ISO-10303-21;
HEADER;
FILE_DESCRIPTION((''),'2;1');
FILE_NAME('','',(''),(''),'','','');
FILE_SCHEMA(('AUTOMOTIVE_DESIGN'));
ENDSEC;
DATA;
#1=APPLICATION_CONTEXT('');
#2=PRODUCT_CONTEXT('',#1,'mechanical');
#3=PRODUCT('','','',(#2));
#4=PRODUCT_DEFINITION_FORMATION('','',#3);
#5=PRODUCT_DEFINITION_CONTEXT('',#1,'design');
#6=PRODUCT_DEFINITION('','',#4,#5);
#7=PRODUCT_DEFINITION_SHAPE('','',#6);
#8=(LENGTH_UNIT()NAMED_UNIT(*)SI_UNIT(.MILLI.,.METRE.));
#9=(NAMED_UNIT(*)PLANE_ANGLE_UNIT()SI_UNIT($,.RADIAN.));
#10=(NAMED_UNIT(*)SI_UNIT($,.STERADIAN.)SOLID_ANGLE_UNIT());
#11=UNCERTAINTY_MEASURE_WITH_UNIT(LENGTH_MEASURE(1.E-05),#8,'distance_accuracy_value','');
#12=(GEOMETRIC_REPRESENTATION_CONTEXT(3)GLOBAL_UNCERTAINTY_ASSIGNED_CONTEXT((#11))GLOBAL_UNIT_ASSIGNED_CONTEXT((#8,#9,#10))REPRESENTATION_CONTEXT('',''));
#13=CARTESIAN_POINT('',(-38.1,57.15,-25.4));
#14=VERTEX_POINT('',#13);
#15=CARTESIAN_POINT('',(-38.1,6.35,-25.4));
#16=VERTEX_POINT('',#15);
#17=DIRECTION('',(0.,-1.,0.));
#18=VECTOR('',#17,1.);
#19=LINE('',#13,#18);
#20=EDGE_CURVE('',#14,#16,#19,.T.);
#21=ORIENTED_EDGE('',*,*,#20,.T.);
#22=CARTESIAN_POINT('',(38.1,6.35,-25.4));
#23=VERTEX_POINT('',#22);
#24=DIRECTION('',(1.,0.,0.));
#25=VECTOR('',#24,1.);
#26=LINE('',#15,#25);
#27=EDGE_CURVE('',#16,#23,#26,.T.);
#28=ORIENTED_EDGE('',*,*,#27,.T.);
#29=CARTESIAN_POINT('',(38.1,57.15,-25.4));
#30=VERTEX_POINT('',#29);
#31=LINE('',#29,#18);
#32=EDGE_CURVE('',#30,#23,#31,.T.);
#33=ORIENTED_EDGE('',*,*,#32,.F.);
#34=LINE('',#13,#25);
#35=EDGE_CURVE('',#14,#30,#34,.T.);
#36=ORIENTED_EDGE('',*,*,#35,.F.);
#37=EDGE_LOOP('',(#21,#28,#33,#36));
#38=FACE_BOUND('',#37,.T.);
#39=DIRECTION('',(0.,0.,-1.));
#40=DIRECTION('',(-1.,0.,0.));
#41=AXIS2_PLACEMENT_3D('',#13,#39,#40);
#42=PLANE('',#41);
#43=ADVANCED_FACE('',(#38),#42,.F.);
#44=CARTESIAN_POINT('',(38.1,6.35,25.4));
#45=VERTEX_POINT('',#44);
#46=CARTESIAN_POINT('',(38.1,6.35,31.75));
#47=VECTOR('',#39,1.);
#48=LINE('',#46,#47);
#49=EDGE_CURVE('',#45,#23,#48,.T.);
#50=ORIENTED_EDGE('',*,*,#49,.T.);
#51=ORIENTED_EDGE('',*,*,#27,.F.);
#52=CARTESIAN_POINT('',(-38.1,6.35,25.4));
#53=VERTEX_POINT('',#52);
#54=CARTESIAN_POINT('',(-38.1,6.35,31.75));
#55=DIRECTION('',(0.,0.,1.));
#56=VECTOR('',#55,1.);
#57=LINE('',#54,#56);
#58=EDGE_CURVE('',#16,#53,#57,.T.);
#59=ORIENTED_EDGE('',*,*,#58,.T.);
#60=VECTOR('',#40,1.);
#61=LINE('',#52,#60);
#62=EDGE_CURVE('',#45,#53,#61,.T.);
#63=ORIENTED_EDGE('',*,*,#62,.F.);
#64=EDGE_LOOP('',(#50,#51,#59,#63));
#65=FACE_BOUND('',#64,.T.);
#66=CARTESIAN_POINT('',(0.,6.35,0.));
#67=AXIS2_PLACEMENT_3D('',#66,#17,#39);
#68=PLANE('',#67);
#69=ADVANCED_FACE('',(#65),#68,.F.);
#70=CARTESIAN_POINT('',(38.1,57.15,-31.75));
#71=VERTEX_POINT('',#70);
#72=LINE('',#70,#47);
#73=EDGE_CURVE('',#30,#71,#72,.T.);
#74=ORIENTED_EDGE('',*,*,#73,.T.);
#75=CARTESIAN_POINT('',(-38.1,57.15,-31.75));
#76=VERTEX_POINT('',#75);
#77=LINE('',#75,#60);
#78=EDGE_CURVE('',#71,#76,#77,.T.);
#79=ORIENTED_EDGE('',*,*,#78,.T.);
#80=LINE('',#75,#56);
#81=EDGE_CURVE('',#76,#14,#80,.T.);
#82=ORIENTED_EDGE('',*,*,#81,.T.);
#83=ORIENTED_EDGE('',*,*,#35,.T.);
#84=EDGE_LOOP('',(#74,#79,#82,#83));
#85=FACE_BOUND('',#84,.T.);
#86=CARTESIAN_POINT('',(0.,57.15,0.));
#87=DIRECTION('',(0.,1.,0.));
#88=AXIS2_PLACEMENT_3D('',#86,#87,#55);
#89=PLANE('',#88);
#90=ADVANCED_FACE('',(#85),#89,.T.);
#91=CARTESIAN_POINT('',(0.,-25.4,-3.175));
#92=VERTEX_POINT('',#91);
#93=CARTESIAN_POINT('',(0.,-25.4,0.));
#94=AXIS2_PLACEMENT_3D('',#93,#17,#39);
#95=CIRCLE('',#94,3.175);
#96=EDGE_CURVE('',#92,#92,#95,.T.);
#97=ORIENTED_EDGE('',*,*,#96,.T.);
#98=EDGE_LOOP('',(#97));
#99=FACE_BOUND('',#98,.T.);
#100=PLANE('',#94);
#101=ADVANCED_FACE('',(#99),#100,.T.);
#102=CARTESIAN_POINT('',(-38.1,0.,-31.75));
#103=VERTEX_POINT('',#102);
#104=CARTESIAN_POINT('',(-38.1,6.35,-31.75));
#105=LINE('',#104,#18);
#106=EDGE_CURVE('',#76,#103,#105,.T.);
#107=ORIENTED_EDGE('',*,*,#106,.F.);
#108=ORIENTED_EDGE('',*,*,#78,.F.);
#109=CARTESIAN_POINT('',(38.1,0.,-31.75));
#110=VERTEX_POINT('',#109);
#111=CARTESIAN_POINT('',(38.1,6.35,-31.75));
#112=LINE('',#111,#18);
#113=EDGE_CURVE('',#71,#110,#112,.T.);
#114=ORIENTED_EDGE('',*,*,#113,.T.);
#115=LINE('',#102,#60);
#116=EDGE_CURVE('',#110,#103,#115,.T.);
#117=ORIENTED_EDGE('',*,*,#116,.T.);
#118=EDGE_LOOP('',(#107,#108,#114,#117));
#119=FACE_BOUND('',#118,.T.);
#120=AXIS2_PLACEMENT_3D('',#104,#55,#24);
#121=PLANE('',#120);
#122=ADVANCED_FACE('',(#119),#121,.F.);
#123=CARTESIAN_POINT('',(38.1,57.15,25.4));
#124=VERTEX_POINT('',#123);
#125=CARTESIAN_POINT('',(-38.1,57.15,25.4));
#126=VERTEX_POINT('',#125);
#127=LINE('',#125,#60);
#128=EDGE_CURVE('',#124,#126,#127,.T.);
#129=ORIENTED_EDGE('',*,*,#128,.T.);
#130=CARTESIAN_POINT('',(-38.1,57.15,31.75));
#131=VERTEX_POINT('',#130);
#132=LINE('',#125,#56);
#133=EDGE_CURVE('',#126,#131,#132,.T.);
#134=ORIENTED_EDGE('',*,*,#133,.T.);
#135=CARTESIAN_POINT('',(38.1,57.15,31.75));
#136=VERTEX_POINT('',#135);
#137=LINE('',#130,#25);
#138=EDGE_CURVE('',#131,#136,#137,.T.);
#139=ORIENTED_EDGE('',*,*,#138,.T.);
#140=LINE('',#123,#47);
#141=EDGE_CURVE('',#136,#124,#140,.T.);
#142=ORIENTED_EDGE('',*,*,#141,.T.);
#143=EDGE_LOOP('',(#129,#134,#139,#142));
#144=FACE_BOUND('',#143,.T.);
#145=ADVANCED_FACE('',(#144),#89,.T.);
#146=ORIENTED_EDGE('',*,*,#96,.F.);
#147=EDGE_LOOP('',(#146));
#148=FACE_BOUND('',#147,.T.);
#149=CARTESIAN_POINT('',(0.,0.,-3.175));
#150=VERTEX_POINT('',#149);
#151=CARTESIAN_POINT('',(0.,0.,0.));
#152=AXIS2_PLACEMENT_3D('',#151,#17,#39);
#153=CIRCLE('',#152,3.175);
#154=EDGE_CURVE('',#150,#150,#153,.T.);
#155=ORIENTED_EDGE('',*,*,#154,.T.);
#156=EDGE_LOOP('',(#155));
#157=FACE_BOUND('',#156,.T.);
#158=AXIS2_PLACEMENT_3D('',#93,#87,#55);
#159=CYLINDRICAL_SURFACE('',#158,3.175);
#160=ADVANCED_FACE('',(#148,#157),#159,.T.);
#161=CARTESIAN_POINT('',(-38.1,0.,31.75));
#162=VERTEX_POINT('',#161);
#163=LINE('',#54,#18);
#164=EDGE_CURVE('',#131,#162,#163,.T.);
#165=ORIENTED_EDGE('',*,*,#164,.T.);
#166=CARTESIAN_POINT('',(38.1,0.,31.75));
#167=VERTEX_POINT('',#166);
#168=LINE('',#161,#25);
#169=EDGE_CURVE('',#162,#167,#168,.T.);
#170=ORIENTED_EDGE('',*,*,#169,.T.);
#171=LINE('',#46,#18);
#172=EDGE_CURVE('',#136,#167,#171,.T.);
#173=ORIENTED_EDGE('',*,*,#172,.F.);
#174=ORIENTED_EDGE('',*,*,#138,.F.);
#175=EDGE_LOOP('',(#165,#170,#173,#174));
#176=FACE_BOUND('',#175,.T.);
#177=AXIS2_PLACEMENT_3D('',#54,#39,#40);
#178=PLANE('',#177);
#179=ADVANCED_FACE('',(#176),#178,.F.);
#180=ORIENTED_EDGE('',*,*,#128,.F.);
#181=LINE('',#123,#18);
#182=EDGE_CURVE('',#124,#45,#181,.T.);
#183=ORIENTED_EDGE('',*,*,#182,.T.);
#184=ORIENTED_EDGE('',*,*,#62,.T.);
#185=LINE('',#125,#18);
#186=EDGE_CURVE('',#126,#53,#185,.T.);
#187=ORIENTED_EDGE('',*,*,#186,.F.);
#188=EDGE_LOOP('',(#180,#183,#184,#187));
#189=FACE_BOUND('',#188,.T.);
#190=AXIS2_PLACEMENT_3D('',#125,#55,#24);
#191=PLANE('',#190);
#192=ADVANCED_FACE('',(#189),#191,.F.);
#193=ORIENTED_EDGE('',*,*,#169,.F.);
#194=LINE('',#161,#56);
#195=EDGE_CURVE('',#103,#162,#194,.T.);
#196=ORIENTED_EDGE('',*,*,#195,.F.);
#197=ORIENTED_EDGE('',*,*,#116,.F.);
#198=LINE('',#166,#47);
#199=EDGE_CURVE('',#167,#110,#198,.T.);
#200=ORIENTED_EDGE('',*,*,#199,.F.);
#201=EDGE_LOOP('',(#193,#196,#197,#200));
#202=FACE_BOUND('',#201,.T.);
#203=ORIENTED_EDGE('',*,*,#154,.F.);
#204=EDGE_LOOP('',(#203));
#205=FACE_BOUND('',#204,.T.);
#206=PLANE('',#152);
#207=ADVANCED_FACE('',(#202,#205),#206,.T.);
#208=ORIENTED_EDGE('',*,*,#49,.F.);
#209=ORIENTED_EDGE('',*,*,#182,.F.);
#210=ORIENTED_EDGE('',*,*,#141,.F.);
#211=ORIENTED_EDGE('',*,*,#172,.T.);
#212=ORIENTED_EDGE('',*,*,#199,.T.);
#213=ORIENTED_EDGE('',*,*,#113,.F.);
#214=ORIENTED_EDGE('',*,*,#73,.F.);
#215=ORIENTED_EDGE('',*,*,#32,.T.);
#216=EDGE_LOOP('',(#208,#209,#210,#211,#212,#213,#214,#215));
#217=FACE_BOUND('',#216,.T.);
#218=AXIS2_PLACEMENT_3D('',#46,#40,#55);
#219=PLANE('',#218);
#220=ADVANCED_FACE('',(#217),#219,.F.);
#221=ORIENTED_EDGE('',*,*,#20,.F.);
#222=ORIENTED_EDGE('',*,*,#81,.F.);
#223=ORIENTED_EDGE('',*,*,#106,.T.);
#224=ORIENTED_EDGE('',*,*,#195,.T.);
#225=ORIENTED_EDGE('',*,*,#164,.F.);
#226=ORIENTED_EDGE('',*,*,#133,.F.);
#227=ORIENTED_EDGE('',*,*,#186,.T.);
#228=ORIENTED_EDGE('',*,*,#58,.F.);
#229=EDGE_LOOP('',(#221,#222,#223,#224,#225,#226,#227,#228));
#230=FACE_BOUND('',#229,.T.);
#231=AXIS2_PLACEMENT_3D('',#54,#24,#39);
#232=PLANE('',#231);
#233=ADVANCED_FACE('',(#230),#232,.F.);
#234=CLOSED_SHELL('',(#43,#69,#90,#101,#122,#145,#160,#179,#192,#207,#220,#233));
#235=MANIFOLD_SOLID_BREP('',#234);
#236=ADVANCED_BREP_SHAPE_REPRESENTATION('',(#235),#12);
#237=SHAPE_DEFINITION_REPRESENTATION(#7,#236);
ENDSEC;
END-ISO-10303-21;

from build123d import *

# Parameters (mm, degrees)
SKETCH1_W           = 76.2
SKETCH1_H           = 63.5
BOSS_EXTRUDE1_DEPTH = 6.35
SKETCH2_W           = 76.2
SKETCH2_H           = 6.35
BOSS_EXTRUDE2_DEPTH = 50.8
SKETCH3_R           = 3.175
BOSS_EXTRUDE3_DEPTH = 25.4


with BuildPart() as part:
    # Sketch1 → Boss-Extrude1 (new body)
    with BuildSketch(Plane(origin=(0, 0, 0), x_dir=(1, 0, 0), z_dir=(0, 1, 0))):
        Rectangle(SKETCH1_W, SKETCH1_H)
    extrude(amount=BOSS_EXTRUDE1_DEPTH)

    # Sketch2 → Boss-Extrude2 (add)
    with BuildSketch(Plane(origin=(0, 6.35, 0), x_dir=(1, 0, 0), z_dir=(0, 1, 0))):
        with Locations((0, 28.575)):
            Rectangle(SKETCH2_W, SKETCH2_H)
        with Locations((0, -28.575)):
            Rectangle(SKETCH2_W, SKETCH2_H)
    extrude(amount=BOSS_EXTRUDE2_DEPTH)

    # Sketch3 → Boss-Extrude3 (add)
    with BuildSketch(Plane.XZ):
        with Locations(Location((0, 0, 0), (0, 0, 270))):
            Circle(SKETCH3_R)
    extrude(amount=BOSS_EXTRUDE3_DEPTH)


solid = part.part
